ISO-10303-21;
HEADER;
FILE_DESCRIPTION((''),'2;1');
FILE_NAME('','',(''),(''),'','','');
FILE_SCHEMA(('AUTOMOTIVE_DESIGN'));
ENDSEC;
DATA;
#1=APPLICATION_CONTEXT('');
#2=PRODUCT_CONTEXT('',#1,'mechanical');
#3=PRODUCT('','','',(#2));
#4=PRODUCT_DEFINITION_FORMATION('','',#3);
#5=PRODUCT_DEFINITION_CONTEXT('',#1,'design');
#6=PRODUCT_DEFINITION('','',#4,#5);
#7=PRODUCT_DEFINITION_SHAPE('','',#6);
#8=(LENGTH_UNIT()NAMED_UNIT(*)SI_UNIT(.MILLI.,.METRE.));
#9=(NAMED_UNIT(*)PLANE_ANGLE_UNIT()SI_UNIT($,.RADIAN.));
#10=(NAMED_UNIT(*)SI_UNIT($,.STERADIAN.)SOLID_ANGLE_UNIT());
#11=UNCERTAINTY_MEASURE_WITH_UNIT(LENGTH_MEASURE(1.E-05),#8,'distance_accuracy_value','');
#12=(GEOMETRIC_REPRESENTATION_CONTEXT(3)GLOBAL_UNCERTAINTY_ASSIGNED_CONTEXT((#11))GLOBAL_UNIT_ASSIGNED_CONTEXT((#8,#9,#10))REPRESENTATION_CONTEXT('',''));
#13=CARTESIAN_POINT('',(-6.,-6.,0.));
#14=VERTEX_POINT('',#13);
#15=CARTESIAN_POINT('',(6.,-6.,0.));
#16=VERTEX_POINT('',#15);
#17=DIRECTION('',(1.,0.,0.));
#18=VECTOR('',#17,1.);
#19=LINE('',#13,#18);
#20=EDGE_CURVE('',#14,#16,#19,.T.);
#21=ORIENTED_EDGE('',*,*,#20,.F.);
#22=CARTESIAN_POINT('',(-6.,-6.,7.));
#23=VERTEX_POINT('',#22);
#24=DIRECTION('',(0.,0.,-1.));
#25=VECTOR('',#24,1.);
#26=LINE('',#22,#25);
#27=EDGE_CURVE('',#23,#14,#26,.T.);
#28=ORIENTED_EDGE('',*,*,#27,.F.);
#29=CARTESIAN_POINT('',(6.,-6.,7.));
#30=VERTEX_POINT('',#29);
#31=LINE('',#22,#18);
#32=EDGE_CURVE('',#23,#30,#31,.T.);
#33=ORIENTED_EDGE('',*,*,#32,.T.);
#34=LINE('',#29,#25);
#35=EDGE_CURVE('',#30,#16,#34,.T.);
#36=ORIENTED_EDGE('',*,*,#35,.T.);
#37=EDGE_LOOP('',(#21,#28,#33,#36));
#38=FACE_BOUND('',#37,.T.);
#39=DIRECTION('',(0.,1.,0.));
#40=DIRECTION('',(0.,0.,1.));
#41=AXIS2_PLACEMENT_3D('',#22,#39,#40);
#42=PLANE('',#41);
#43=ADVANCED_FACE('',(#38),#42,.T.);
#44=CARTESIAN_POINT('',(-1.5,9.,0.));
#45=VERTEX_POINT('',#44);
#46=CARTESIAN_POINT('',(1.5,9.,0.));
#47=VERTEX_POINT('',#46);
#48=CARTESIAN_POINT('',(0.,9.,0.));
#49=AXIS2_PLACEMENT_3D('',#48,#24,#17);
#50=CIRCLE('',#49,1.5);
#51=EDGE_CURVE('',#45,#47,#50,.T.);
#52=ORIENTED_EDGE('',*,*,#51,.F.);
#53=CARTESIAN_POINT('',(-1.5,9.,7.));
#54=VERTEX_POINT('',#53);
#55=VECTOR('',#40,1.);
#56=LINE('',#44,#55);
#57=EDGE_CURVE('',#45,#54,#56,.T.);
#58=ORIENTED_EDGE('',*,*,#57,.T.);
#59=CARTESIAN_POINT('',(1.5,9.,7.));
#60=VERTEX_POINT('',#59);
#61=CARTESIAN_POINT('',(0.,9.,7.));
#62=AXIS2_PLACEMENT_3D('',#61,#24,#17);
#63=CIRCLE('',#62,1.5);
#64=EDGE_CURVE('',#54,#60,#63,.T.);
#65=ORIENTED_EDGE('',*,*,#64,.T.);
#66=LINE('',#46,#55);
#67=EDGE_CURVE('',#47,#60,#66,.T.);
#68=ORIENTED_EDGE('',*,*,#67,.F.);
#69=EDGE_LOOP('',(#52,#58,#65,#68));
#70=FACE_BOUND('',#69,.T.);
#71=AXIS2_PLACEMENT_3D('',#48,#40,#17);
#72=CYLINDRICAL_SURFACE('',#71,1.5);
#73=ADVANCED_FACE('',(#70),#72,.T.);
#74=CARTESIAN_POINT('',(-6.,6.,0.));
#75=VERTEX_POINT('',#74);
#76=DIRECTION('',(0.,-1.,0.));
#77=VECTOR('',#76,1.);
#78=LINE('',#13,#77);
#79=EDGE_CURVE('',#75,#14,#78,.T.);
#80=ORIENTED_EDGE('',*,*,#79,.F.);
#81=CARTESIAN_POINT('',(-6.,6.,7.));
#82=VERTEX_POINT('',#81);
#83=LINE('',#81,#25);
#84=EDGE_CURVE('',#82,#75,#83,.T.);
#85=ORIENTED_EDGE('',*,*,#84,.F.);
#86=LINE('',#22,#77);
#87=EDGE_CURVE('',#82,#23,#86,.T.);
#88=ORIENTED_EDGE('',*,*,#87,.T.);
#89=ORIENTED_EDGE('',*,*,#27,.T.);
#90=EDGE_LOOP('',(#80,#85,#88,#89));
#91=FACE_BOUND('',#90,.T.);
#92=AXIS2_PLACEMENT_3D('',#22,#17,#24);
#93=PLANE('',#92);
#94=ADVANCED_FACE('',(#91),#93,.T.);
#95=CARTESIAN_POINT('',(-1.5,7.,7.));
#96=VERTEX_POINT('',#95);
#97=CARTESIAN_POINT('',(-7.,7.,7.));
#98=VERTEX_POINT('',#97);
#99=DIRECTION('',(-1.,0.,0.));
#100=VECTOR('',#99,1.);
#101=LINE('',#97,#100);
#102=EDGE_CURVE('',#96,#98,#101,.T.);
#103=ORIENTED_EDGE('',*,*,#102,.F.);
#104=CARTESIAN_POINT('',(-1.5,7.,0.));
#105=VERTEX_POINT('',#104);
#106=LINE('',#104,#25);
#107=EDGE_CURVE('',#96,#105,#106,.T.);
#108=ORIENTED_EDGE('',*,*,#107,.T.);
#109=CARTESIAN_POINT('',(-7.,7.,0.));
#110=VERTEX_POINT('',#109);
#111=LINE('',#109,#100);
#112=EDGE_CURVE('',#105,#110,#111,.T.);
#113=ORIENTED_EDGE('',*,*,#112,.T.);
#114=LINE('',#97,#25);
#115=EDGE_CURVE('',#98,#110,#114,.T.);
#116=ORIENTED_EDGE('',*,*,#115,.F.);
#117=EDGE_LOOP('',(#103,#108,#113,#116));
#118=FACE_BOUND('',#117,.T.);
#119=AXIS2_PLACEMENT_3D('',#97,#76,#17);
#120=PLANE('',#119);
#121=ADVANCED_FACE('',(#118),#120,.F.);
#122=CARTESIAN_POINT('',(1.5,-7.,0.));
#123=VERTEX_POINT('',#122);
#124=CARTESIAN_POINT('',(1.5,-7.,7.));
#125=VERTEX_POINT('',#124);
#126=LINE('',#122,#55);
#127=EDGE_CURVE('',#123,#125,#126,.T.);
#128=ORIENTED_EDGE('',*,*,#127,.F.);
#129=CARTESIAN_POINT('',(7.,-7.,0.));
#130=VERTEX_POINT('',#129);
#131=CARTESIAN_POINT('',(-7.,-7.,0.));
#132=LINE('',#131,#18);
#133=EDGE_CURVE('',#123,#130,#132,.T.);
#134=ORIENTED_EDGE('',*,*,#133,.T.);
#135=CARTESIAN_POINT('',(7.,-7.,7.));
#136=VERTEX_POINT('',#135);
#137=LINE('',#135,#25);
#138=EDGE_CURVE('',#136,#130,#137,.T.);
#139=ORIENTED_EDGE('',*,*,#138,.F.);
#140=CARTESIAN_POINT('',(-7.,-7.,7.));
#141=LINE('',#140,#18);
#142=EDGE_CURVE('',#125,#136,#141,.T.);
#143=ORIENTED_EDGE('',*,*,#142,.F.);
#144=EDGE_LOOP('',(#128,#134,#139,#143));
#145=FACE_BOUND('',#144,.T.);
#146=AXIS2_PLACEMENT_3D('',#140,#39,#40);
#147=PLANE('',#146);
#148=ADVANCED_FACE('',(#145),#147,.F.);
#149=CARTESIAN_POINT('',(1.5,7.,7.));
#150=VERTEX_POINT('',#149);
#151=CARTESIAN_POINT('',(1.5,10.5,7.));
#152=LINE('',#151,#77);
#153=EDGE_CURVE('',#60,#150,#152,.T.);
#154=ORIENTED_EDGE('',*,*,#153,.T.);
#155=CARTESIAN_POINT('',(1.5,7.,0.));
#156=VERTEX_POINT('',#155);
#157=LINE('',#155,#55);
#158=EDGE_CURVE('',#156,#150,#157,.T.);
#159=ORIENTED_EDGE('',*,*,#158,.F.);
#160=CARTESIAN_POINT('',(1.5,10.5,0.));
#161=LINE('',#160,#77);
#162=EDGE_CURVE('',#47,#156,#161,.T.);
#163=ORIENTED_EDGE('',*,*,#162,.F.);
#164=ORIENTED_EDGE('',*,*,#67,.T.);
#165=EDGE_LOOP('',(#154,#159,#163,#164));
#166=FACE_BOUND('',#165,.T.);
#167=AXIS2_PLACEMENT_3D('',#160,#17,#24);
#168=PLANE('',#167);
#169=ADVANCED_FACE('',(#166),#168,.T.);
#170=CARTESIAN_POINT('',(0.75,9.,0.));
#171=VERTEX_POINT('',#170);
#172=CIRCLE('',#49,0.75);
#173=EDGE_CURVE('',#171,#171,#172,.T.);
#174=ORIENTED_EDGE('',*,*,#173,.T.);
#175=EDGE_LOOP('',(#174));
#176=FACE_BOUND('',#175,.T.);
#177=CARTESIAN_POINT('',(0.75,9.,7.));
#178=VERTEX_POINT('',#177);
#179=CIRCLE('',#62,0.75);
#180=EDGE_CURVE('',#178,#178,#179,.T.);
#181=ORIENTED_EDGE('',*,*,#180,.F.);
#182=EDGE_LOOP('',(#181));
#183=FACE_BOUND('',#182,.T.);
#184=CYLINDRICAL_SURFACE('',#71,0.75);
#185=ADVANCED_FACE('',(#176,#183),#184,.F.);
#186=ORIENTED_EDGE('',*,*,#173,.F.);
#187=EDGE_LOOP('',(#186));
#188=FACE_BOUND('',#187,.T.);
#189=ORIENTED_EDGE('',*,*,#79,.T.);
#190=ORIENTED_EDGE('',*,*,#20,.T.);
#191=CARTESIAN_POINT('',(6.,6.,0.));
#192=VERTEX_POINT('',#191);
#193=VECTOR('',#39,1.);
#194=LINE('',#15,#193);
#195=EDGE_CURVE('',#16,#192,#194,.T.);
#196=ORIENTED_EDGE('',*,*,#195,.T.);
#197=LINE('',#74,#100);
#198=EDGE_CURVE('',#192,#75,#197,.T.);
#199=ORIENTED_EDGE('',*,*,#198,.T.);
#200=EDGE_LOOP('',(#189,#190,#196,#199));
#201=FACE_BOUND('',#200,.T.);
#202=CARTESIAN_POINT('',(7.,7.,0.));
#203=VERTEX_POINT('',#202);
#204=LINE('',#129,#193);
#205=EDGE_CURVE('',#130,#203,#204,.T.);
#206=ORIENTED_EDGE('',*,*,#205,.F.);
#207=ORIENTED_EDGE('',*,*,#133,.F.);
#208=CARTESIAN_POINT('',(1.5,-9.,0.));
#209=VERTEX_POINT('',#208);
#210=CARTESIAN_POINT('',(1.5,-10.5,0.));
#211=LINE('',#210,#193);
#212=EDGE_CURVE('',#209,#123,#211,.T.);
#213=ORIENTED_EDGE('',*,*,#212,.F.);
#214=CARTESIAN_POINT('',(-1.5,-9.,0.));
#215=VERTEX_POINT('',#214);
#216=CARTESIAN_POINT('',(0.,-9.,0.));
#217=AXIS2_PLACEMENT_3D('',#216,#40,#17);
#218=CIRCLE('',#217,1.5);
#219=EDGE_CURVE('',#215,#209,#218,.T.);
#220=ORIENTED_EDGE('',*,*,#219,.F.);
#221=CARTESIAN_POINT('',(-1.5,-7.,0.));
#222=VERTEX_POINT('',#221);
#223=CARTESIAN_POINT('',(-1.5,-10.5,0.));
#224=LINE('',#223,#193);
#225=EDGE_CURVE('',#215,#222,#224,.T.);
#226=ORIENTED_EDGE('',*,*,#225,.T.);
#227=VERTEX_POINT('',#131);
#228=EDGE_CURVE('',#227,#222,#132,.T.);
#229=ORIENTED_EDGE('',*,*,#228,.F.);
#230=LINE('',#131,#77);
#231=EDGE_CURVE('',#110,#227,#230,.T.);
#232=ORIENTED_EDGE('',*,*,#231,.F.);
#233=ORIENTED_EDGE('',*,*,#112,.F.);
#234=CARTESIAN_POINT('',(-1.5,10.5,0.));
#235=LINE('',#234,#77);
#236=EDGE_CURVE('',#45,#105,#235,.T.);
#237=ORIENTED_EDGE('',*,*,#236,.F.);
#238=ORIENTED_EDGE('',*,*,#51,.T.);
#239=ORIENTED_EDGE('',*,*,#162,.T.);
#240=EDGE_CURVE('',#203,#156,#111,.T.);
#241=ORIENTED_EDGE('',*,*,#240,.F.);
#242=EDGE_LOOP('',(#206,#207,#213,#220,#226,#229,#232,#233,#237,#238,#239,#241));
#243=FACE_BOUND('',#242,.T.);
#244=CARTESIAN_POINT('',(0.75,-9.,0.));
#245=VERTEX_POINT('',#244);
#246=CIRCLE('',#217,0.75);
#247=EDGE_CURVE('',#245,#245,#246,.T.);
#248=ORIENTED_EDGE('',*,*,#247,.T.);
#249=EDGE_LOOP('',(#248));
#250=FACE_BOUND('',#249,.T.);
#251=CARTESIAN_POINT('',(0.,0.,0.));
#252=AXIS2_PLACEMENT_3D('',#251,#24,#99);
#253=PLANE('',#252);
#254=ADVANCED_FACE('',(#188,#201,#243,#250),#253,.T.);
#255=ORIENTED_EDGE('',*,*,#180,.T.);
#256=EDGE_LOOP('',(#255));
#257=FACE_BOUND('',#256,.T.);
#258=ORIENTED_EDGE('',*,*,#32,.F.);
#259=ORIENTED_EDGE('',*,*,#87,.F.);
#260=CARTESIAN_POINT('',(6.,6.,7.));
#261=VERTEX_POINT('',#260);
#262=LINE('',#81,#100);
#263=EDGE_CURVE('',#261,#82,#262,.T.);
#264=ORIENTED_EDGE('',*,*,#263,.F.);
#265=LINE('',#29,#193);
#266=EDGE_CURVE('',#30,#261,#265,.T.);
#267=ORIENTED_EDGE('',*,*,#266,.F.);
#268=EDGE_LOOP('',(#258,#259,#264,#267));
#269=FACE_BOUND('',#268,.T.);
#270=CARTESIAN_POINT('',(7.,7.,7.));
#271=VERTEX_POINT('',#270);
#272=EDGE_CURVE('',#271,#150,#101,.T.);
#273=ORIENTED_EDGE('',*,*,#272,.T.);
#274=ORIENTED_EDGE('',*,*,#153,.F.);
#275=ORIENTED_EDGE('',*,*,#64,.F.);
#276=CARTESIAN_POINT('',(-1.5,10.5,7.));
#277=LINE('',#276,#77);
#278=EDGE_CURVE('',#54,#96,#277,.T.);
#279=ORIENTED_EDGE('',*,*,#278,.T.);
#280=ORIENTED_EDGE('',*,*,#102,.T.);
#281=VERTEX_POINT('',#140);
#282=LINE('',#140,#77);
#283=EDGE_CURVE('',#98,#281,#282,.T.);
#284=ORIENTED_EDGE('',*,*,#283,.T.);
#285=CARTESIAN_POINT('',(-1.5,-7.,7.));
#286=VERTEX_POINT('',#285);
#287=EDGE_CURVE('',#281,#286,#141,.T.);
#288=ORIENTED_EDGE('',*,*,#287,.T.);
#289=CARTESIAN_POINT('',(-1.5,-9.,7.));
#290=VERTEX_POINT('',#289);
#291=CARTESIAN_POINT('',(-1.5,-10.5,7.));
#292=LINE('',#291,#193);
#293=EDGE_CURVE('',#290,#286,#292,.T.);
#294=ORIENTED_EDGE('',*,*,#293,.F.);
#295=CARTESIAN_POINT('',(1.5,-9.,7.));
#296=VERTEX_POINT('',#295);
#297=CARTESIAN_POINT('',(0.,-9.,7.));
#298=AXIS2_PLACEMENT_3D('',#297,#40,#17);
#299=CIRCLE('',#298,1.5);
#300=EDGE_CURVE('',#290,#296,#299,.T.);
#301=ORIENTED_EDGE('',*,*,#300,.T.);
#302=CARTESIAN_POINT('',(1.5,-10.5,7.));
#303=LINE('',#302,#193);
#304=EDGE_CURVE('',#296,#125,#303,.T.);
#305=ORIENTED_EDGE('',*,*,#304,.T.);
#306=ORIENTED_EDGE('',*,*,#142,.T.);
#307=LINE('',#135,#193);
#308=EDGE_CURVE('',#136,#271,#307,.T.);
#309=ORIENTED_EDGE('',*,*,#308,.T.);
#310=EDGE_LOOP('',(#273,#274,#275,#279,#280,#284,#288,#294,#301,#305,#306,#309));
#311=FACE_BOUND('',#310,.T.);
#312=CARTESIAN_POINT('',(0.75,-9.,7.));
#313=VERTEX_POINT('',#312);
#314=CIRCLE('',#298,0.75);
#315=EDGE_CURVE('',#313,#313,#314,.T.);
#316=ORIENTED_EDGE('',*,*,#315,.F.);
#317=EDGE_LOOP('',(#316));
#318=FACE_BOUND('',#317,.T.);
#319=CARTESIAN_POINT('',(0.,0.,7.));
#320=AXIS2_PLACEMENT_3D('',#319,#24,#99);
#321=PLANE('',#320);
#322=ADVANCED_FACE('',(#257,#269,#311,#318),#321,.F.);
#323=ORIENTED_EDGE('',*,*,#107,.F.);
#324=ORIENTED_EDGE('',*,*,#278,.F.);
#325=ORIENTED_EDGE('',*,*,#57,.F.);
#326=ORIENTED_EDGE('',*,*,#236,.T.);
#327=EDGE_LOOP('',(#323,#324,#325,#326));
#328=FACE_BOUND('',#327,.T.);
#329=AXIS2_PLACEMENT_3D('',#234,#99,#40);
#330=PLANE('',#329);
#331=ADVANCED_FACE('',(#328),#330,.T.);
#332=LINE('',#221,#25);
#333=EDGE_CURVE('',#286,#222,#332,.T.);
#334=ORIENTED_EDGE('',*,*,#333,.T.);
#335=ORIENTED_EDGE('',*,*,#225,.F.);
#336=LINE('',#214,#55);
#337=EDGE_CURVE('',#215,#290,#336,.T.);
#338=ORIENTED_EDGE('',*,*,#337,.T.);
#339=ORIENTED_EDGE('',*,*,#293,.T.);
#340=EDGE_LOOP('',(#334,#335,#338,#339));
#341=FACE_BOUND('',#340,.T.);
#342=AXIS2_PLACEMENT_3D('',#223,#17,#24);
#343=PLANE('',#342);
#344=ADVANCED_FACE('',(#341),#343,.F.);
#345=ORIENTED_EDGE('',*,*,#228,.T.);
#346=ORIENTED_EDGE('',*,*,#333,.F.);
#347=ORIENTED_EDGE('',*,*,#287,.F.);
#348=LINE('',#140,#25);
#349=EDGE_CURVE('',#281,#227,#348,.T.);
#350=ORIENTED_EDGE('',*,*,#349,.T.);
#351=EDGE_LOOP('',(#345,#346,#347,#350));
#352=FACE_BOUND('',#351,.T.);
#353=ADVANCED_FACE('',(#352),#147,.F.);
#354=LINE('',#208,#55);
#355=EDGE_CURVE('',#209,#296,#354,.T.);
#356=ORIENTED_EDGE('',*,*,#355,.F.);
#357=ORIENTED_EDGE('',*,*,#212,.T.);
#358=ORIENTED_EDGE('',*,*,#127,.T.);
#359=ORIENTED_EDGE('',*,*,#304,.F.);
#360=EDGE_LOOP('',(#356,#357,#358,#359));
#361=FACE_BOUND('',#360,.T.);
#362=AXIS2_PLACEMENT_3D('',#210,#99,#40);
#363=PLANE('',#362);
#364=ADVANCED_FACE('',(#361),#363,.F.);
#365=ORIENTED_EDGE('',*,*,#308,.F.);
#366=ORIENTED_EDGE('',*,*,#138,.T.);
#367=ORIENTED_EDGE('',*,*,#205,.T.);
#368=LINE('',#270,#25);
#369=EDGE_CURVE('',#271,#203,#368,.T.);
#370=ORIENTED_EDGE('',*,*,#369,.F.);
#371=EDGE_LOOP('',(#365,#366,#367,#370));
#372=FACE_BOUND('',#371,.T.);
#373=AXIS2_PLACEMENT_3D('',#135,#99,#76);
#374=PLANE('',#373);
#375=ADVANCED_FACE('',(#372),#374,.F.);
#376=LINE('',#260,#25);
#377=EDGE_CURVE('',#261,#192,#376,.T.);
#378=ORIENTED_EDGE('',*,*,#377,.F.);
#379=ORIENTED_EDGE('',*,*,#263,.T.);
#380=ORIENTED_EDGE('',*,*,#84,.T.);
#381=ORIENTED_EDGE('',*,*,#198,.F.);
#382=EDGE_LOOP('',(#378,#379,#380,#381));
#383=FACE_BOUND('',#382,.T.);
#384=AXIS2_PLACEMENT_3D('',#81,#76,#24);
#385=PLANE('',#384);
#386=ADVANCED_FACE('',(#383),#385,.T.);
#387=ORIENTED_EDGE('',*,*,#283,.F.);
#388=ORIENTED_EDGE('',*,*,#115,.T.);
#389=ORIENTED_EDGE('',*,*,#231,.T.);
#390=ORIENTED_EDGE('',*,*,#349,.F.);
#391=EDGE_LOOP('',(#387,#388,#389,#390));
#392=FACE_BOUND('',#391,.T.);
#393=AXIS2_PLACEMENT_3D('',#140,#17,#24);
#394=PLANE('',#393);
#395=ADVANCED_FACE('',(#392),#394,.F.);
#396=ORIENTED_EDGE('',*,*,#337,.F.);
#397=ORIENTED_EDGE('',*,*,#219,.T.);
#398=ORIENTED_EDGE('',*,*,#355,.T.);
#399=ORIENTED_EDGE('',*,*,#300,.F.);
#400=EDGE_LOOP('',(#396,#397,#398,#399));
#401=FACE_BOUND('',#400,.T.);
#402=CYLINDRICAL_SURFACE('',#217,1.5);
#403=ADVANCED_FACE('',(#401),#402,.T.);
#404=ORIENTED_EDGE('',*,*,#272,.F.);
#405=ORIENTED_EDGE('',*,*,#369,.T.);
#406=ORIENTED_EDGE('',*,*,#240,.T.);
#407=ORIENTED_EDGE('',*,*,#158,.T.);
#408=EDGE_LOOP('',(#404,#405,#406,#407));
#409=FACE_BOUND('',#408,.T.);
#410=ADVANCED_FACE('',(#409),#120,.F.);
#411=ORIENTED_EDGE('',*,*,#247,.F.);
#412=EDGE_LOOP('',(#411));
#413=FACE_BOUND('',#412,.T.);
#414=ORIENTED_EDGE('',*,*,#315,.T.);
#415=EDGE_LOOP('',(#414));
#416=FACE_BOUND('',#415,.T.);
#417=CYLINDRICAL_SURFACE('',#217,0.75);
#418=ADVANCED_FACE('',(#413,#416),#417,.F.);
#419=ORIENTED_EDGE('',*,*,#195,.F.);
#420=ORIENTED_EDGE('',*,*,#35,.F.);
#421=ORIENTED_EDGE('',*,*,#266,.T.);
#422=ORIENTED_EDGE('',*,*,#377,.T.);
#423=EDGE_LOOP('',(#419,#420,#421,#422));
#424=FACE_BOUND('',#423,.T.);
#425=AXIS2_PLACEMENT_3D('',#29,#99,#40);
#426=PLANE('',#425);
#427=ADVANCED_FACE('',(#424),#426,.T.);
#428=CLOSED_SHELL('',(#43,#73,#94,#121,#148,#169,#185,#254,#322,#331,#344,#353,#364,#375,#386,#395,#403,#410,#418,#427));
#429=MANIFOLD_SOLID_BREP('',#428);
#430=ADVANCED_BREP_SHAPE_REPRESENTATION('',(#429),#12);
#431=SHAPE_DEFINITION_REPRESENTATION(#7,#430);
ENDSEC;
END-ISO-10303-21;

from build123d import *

# Parameters (mm, degrees)
SKETCH_1_W          = 14
SKETCH_1_H          = 14
SKETCH_1_W_2        = 12
SKETCH_1_H_2        = 12
EXTRUDE_1_DEPTH     = 7
SKETCH_2_W          = 3
SKETCH_2_H          = 7
EXTRUDE_2_DEPTH     = 3.5
SKETCH_3_R          = 0.75
CUT_EXTRUDE_1_DEPTH = 15.43086969
CUT_EXTRUDE_2_DEPTH = 15.43086969


with BuildPart() as part:
    # 草图1 → 凸台-拉伸1 (new body)
    with BuildSketch(Plane.XY):
        Rectangle(SKETCH_1_W, SKETCH_1_H)
        Rectangle(SKETCH_1_W_2, SKETCH_1_H_2, mode=Mode.SUBTRACT)
    extrude(amount=EXTRUDE_1_DEPTH)

    # 草图2 → 凸台-拉伸2 (add)
    with BuildSketch(Plane.XZ.offset(7)):
        with Locations((0, 3.5)):
            Rectangle(SKETCH_2_W, SKETCH_2_H)
    extrude_2 = extrude(amount=EXTRUDE_2_DEPTH)

    # 草图3 → 切除-拉伸1 (cut, through all)
    with BuildSketch(Plane.XY.offset(7)):
        with Locations((0, -9)):
            Circle(SKETCH_3_R)
    cut_extrude_1 = extrude(amount=-CUT_EXTRUDE_1_DEPTH, mode=Mode.SUBTRACT)

    # 草图3<3> → 切除-拉伸2 (cut, through all)
    with BuildSketch(Plane.XY.offset(7)):
        with BuildLine():
            ThreePointArc((0, -10.5), (-1.060660172, -10.060660172), (-1.5, -9))
            Line((-1.5, -9), (-1.5, -10.5))
            Line((-1.5, -10.5), (0, -10.5))
        make_face()
        with BuildLine():
            Line((1.5, -10.5), (1.5, -9))
            ThreePointArc((1.5, -9), (1.060660172, -10.060660172), (0, -10.5))
            Line((0, -10.5), (1.5, -10.5))
        make_face()
    cut_extrude_2 = extrude(amount=-CUT_EXTRUDE_2_DEPTH, mode=Mode.SUBTRACT)

    # 镜向1: 凸台-拉伸2, 切除-拉伸1, 切除-拉伸2 across plane
    add(extrude_2.mirror(Plane.ZX))
    add(cut_extrude_1.mirror(Plane.ZX), mode=Mode.SUBTRACT)
    add(cut_extrude_2.mirror(Plane.ZX), mode=Mode.SUBTRACT)


solid = part.part
